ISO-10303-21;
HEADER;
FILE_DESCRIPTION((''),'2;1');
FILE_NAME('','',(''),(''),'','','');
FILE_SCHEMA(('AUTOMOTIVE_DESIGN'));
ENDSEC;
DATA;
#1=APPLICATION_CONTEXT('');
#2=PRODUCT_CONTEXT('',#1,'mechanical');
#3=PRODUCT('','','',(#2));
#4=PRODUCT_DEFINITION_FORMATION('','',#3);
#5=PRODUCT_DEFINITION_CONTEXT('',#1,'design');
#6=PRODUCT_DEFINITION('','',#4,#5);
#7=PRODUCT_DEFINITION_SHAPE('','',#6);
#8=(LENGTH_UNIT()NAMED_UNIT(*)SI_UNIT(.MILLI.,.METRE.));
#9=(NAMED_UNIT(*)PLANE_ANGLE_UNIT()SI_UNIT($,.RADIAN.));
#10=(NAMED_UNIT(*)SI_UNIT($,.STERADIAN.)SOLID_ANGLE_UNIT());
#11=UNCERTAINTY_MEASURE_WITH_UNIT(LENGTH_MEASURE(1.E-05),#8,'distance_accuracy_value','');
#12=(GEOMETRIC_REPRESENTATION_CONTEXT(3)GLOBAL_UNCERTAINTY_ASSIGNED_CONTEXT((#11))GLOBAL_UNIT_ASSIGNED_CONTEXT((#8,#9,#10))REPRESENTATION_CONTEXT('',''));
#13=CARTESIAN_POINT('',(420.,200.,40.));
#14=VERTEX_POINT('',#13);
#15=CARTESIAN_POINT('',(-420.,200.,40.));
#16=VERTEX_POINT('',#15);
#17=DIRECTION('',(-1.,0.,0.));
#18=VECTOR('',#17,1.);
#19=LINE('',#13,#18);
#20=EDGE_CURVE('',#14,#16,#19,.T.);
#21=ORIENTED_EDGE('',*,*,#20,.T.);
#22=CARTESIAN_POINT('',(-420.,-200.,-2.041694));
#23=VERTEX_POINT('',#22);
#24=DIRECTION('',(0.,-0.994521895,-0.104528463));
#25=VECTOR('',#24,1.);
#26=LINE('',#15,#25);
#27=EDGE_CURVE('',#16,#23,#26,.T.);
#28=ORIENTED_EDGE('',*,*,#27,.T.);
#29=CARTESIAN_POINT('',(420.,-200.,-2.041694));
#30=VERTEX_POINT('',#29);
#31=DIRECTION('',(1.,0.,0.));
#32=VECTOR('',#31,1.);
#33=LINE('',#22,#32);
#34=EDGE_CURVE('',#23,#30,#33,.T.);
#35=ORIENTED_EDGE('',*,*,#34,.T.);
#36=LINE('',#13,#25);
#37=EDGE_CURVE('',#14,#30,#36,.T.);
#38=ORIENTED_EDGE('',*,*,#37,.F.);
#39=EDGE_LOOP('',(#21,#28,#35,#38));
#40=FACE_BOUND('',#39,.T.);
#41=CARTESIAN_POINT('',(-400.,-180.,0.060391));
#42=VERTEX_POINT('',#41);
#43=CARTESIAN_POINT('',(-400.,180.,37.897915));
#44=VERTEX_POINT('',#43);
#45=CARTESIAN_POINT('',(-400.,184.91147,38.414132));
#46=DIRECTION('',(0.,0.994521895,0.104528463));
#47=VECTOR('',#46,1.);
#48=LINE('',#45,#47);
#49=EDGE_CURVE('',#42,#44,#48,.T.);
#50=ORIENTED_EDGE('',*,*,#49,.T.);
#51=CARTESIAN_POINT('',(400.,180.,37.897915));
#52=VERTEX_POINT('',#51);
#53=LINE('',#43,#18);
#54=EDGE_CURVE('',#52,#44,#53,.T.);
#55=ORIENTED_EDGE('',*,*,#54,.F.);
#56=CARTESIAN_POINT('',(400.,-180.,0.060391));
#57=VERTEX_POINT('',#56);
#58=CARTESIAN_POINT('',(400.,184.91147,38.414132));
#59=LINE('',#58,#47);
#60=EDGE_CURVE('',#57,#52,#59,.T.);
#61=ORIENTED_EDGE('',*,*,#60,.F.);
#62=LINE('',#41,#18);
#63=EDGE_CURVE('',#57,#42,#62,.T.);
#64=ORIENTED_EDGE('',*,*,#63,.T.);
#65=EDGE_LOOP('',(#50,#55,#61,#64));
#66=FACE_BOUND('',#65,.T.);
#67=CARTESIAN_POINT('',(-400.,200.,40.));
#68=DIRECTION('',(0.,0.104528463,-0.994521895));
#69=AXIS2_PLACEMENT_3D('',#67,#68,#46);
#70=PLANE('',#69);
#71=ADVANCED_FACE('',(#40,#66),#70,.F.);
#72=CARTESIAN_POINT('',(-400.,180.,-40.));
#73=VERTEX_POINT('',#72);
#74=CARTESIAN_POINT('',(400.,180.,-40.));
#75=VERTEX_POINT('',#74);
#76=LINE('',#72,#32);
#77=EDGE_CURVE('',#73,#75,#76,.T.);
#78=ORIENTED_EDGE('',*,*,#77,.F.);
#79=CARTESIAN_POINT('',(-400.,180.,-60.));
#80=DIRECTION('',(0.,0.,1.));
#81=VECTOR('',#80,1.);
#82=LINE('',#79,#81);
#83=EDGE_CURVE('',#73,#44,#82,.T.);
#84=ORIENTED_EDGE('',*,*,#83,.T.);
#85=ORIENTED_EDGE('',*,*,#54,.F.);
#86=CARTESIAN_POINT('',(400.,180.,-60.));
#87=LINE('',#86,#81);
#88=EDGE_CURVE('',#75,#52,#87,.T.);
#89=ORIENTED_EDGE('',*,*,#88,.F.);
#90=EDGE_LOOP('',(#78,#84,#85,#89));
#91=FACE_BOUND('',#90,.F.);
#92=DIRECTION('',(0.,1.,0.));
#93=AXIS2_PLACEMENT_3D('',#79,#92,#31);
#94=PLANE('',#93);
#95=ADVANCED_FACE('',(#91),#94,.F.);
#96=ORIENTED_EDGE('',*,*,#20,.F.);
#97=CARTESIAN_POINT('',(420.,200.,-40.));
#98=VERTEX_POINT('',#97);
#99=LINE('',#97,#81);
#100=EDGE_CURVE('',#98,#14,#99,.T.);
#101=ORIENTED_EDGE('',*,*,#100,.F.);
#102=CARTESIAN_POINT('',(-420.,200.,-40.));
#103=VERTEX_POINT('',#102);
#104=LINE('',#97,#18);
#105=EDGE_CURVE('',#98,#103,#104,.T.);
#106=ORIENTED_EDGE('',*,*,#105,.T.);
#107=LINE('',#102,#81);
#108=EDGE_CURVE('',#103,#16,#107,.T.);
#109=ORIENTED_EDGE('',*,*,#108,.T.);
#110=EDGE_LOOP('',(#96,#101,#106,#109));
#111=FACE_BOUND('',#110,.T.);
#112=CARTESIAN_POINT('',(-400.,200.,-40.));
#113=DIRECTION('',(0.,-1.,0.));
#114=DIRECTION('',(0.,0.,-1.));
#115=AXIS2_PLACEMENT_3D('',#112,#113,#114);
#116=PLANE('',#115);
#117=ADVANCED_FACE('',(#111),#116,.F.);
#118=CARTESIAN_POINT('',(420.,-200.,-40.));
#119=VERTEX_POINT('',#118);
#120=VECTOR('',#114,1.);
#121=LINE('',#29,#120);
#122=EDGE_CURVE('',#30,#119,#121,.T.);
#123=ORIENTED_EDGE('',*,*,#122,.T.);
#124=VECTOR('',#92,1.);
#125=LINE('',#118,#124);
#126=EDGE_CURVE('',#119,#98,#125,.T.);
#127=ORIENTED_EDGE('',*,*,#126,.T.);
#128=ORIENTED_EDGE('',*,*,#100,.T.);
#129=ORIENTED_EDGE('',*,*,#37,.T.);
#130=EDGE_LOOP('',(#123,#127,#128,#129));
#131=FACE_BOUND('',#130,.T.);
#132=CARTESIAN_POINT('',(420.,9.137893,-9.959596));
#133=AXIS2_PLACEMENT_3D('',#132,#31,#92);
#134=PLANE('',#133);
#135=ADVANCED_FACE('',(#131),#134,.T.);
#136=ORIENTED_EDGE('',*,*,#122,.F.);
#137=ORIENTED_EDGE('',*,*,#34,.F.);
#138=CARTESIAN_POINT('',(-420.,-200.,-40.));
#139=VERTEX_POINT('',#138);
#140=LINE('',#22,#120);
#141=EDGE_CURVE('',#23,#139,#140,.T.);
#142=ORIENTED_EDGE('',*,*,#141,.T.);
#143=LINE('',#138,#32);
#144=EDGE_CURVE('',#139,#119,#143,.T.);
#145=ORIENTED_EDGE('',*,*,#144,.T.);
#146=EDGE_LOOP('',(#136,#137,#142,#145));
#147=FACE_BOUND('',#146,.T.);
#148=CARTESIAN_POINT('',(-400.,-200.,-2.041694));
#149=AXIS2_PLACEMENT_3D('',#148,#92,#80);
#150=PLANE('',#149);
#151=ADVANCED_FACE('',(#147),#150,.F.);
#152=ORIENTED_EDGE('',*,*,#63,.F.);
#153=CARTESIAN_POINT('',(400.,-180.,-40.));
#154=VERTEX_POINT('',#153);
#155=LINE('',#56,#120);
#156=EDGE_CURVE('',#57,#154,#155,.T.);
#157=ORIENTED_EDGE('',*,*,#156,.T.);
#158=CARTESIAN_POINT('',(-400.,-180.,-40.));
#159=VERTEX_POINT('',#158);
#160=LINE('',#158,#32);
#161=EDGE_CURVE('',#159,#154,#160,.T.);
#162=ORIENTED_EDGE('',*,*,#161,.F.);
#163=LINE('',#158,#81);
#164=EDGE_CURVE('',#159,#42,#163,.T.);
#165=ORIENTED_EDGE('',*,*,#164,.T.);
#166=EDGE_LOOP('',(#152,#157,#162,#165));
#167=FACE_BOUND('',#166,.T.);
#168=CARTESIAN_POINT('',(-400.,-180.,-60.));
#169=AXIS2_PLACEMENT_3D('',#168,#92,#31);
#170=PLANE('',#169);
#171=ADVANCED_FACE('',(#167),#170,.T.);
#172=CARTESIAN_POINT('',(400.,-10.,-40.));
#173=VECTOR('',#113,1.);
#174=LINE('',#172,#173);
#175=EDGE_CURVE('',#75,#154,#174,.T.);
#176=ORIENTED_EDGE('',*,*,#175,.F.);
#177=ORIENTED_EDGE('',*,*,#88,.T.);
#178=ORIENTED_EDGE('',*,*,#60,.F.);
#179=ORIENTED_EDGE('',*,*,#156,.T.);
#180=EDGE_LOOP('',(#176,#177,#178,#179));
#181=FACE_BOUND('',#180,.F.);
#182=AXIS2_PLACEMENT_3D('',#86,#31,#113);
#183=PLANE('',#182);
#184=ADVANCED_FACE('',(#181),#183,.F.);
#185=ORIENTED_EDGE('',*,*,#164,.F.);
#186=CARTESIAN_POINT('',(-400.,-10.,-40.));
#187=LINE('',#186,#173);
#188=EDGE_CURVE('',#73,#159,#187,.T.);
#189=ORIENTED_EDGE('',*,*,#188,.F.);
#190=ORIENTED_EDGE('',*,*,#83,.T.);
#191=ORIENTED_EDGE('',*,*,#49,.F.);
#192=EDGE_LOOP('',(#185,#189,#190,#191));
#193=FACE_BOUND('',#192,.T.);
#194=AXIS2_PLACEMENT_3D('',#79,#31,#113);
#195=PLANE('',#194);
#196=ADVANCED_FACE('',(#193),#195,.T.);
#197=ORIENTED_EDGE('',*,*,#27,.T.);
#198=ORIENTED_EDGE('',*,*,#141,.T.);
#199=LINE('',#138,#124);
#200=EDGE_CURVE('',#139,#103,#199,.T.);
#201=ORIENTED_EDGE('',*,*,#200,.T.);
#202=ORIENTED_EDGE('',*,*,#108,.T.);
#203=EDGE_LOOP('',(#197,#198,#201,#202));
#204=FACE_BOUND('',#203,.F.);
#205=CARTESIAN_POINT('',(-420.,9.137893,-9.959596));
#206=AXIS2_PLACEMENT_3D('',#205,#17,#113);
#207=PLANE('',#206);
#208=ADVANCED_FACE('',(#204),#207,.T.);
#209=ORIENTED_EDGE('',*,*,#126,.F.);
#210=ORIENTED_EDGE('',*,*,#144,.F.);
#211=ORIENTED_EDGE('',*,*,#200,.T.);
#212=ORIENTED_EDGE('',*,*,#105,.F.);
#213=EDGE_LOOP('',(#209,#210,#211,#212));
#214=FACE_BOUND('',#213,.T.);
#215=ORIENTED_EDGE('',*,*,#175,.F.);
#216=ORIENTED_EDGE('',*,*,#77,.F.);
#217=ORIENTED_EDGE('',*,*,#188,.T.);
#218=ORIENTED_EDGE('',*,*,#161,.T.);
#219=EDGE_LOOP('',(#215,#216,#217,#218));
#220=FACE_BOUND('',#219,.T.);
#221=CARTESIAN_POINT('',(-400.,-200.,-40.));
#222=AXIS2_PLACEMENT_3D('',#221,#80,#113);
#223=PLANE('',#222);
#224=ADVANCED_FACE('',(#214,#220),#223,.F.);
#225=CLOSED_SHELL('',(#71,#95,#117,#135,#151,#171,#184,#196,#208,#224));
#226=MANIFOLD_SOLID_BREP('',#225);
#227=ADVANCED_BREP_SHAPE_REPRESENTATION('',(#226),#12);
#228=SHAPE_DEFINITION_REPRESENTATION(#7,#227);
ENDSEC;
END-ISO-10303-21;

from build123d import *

# Parameters (mm, degrees)
F0_W     = 800
F0_H     = 400
F1_DEPTH = 40
F3_DEPTH = 800.001
F5_DEPTH = 20
F8_W     = 800
F8_H     = 360
F9_DEPTH = 100.001


with BuildPart() as f1:
    # F0 (on Top) → F1 (new body, symmetric)
    with BuildSketch(Plane.XY):
        Rectangle(F0_W, F0_H)
    extrude(amount=F1_DEPTH, both=True)

    # F2 (on face) → F3 (cut, through all)
    with BuildSketch(Plane.YZ.offset(400)):
        Polygon((-180, -20), (-180, -20.0497749922), (-179.5264225832, -20), align=None)
        Polygon((-200, -2.0416941063), (200, 40), (-200, 40), align=None)
    extrude(amount=-F3_DEPTH, mode=Mode.SUBTRACT)

    # F4 (on face) → F5 (join)
    with BuildSketch(Plane.YZ.offset(400)):
        Polygon((200, 40), (-200, -2.0416941063), (-200, -40), (200, -40), align=None)
        Polygon((-179.5264225832, -20), (-180, -20.0497749922), (-180, -20), align=None, mode=Mode.SUBTRACT)
        Polygon((-180, -20), (-180, -20.0497749922), (-179.5264225832, -20), align=None)
    extrude(amount=F5_DEPTH)

    # F6: F1 across plane


with BuildPart() as f1_1:
    add(f1.part)
    add(f1.part.mirror(Plane.YZ))

    # F8 (on offset) → F9 (cut, through all)
    with BuildSketch(Plane(origin=(0, 0, -60), x_dir=(1, 0, 0), z_dir=(0, 0, -1))):
        Rectangle(F8_W, F8_H)
    extrude(amount=-F9_DEPTH, mode=Mode.SUBTRACT)


solid = f1_1.part
